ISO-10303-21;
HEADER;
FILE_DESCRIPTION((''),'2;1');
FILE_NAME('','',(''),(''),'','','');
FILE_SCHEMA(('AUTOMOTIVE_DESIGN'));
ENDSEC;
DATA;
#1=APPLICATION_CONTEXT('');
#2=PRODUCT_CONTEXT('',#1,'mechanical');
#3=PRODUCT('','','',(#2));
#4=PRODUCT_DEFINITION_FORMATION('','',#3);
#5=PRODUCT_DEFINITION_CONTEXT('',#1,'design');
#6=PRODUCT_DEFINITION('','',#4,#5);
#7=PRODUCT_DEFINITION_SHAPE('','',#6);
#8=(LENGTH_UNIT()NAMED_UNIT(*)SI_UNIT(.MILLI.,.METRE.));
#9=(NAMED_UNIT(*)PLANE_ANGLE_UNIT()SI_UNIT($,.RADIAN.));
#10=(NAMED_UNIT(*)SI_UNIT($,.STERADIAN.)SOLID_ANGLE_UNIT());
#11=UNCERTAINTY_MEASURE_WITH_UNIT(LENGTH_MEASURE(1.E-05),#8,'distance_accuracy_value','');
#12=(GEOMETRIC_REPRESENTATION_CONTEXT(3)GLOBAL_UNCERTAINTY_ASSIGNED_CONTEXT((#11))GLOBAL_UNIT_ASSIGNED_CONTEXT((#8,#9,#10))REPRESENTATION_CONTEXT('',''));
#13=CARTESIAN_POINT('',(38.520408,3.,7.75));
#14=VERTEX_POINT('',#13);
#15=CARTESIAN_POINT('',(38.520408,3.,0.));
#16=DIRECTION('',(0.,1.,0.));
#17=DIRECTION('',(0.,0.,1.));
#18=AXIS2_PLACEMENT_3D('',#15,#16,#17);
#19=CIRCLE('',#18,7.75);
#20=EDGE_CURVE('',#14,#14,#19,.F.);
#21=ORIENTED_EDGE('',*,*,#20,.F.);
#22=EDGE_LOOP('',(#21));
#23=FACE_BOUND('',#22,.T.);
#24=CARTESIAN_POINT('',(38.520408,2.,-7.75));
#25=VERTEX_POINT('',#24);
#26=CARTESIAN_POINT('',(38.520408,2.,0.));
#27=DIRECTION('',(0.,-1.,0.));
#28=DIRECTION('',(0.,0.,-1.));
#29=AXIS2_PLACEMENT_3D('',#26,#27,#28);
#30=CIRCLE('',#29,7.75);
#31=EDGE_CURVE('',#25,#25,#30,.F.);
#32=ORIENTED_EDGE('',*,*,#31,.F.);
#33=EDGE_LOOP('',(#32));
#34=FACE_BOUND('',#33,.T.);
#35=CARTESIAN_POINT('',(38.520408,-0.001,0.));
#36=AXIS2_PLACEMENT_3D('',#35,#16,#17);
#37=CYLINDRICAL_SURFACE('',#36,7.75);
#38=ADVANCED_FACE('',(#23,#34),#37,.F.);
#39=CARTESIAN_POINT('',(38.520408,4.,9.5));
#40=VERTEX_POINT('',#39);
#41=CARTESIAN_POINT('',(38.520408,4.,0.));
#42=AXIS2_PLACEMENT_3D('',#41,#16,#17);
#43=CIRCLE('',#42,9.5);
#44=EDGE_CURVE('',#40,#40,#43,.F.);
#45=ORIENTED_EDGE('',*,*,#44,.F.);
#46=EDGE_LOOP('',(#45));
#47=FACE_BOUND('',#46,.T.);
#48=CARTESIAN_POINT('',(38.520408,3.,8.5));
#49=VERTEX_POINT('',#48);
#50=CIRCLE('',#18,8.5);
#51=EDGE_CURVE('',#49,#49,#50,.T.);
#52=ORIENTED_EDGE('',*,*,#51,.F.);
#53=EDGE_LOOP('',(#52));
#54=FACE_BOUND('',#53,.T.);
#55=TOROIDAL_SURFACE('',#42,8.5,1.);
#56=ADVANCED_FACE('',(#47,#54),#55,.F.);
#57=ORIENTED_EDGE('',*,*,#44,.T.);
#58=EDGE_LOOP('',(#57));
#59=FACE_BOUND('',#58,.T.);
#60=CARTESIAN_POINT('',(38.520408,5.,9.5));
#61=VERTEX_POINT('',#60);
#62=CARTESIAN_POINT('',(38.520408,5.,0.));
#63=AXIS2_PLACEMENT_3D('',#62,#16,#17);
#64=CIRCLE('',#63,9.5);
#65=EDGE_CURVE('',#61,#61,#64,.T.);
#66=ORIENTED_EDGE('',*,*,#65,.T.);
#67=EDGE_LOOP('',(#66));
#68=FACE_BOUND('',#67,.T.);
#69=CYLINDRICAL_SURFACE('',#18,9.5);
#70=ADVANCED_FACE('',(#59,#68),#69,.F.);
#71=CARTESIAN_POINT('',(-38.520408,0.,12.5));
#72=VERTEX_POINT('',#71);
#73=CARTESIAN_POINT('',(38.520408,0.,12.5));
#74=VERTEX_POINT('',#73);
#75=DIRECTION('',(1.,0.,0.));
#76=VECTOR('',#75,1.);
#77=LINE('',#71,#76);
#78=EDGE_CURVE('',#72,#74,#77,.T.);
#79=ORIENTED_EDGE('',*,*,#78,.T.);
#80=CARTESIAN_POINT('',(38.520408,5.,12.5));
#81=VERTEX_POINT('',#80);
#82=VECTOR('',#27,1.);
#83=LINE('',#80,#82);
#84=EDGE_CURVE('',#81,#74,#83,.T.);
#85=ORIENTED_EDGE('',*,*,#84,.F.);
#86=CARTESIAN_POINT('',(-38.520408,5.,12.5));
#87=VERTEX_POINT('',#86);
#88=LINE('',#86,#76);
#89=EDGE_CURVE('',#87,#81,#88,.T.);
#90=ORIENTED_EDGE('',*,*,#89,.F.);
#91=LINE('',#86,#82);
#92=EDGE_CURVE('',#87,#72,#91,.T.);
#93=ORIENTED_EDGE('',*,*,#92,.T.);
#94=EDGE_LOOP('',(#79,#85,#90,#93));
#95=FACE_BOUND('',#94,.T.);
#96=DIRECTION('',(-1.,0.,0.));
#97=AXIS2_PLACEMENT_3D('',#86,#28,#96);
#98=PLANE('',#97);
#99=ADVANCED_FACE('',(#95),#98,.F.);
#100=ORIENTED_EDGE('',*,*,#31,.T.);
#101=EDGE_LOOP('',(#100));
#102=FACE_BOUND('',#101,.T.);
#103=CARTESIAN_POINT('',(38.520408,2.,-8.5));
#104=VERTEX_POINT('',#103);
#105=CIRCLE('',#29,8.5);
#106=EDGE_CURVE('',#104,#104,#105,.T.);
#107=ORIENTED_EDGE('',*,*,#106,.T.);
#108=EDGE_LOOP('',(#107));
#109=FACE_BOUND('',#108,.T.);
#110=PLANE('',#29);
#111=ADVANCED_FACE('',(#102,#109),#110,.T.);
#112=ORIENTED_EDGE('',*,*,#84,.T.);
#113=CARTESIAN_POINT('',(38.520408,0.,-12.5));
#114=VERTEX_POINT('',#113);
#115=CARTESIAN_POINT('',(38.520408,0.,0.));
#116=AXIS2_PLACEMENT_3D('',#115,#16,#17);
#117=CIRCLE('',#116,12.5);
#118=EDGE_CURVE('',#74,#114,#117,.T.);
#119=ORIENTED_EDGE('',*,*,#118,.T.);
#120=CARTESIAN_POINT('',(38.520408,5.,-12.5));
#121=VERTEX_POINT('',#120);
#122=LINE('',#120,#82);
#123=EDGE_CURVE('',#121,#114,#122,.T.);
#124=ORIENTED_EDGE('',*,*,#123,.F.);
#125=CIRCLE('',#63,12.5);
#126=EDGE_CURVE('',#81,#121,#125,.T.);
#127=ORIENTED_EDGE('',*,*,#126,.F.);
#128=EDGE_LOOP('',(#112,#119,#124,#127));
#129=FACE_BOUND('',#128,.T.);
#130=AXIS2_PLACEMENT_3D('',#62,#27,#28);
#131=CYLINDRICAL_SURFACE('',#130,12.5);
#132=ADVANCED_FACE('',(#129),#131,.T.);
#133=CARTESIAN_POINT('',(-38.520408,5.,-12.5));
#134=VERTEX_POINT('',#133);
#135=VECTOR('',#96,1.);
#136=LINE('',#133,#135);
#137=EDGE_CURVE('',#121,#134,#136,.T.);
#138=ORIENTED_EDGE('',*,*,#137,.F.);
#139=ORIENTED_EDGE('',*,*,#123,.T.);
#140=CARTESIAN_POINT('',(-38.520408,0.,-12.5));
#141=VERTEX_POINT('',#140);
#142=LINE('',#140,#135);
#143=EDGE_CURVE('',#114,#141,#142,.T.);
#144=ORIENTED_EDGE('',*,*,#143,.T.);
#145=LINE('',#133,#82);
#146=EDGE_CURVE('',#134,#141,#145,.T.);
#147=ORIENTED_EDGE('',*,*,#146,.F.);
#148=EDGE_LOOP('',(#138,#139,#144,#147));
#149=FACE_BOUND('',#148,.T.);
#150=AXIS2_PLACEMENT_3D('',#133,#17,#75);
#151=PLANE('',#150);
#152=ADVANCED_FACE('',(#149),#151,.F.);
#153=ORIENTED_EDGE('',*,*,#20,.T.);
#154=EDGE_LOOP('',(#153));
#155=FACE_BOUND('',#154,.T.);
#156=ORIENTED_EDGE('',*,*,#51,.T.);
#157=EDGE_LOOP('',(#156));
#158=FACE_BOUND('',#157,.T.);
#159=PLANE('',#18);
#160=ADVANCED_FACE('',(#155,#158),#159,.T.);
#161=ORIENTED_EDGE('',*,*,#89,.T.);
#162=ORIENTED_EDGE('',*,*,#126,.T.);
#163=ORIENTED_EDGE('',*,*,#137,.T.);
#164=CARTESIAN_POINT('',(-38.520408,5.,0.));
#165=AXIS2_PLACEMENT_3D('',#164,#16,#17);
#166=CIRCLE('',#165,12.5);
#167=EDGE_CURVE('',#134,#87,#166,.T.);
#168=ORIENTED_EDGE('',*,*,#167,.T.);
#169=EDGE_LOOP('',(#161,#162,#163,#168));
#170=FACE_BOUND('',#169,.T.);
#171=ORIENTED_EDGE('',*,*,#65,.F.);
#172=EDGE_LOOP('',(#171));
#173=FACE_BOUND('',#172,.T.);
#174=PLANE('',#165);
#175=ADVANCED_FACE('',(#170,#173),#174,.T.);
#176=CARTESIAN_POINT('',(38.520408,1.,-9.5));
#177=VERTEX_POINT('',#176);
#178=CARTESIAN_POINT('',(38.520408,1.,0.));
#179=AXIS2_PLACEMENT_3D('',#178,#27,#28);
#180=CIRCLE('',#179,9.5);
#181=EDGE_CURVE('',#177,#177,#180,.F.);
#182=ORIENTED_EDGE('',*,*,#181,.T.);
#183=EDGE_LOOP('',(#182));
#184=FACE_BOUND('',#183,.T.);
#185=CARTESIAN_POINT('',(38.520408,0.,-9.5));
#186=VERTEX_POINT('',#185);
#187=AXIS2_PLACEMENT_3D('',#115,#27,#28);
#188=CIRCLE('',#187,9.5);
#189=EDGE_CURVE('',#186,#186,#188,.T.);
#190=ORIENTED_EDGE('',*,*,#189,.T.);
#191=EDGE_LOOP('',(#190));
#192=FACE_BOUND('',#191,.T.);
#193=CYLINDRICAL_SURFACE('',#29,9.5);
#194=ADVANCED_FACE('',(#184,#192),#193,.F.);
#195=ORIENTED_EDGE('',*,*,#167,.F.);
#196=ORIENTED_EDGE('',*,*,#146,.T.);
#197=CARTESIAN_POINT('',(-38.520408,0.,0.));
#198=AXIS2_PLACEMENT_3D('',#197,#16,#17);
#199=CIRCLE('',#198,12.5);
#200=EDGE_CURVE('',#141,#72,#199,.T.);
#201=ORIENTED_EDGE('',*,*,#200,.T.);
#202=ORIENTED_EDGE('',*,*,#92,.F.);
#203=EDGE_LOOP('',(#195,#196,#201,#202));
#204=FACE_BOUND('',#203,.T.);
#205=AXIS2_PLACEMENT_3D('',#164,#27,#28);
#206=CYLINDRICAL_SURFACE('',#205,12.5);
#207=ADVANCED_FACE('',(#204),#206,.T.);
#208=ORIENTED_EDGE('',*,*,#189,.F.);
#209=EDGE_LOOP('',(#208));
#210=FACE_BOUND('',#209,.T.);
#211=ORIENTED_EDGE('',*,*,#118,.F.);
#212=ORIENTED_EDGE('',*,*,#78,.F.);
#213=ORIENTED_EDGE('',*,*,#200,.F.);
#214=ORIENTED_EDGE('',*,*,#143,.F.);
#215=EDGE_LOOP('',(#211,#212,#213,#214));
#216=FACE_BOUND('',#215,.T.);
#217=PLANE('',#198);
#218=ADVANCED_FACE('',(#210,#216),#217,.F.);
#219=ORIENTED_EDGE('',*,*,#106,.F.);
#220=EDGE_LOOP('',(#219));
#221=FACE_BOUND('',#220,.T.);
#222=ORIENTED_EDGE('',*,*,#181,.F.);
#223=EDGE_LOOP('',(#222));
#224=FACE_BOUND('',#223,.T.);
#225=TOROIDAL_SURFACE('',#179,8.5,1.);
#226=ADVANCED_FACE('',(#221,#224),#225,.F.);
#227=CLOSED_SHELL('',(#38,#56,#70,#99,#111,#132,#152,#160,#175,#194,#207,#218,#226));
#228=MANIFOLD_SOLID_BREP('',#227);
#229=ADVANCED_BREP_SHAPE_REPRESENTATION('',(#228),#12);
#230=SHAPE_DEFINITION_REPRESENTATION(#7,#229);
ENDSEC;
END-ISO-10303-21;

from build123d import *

# Parameters (mm, degrees)
EXTRUDE_1_DEPTH     = 5
CUT_EXTRUDE_1_REACH = 54.767
SKETCH_2_R          = 7.75
SKETCH_3_R          = 9.5
CUT_EXTRUDE_2_DEPTH = 2
CUT_EXTRUDE_START   = -2
SKETCH_4_R          = 9.5
CUT_EXTRUDE_3_DEPTH = 2
FILLET_1_R          = 1


with BuildPart() as part:
    # 草图1 → 凸台-拉伸1 (new body)
    with BuildSketch(Plane(origin=(0, 0, 0), x_dir=(1, 0, 0), z_dir=(0, 1, 0))):
        with BuildLine():
            Line((-38.520408163, 12.5), (38.520408163, 12.5))
            ThreePointArc((38.520408163, 12.5), (51.020408163, 0), (38.520408163, -12.5))
            Line((38.520408163, -12.5), (-38.520408163, -12.5))
            ThreePointArc((-38.520408163, -12.5), (-51.020408163, 0), (-38.520408163, 12.5))
        make_face()
    extrude(amount=EXTRUDE_1_DEPTH)

    # 草图2 → 切除-拉伸1 (cut, up to next)
    with BuildSketch(Plane(origin=(0, 5, 0), x_dir=(1, 0, 0), z_dir=(0, 1, 0)), mode=Mode.PRIVATE) as cut_extrude_1_sk1:
        with Locations(Location((38.520408163, 0, 0), (0, 0, 270))):
            Circle(SKETCH_2_R)
    cut_extrude_1_tool1 = extrude(cut_extrude_1_sk1.sketch, amount=-CUT_EXTRUDE_1_REACH, mode=Mode.PRIVATE) & part.part
    add(cut_extrude_1_tool1.solids().sort_by_distance((38.520408, 5, 0))[0], mode=Mode.SUBTRACT)

    # 草图3 → 切除-拉伸2 (cut)
    with BuildSketch(Plane(origin=(0, 5, 0), x_dir=(1, 0, 0), z_dir=(0, 1, 0))):
        with Locations(Location((38.520408163, 0, 0), (0, 0, 270))):
            Circle(SKETCH_3_R)
    extrude(amount=-CUT_EXTRUDE_2_DEPTH, mode=Mode.SUBTRACT)

    # 草图4 → 切除-拉伸3 (cut)
    with BuildSketch(Plane.XZ.offset(CUT_EXTRUDE_START)):
        with Locations(Location((38.520408163, 0, 0), (0, 0, 90))):
            Circle(SKETCH_4_R)
    extrude(amount=CUT_EXTRUDE_3_DEPTH, mode=Mode.SUBTRACT)

    # 圆角1
    fillet_1_edges = [part.edges().sort_by_distance(p)[0] for p in [
        (38.520408163, 3, -9.5),
        (38.520408163, 2, -9.5),
    ]]
    fillet(fillet_1_edges, radius=FILLET_1_R)


solid = part.part
